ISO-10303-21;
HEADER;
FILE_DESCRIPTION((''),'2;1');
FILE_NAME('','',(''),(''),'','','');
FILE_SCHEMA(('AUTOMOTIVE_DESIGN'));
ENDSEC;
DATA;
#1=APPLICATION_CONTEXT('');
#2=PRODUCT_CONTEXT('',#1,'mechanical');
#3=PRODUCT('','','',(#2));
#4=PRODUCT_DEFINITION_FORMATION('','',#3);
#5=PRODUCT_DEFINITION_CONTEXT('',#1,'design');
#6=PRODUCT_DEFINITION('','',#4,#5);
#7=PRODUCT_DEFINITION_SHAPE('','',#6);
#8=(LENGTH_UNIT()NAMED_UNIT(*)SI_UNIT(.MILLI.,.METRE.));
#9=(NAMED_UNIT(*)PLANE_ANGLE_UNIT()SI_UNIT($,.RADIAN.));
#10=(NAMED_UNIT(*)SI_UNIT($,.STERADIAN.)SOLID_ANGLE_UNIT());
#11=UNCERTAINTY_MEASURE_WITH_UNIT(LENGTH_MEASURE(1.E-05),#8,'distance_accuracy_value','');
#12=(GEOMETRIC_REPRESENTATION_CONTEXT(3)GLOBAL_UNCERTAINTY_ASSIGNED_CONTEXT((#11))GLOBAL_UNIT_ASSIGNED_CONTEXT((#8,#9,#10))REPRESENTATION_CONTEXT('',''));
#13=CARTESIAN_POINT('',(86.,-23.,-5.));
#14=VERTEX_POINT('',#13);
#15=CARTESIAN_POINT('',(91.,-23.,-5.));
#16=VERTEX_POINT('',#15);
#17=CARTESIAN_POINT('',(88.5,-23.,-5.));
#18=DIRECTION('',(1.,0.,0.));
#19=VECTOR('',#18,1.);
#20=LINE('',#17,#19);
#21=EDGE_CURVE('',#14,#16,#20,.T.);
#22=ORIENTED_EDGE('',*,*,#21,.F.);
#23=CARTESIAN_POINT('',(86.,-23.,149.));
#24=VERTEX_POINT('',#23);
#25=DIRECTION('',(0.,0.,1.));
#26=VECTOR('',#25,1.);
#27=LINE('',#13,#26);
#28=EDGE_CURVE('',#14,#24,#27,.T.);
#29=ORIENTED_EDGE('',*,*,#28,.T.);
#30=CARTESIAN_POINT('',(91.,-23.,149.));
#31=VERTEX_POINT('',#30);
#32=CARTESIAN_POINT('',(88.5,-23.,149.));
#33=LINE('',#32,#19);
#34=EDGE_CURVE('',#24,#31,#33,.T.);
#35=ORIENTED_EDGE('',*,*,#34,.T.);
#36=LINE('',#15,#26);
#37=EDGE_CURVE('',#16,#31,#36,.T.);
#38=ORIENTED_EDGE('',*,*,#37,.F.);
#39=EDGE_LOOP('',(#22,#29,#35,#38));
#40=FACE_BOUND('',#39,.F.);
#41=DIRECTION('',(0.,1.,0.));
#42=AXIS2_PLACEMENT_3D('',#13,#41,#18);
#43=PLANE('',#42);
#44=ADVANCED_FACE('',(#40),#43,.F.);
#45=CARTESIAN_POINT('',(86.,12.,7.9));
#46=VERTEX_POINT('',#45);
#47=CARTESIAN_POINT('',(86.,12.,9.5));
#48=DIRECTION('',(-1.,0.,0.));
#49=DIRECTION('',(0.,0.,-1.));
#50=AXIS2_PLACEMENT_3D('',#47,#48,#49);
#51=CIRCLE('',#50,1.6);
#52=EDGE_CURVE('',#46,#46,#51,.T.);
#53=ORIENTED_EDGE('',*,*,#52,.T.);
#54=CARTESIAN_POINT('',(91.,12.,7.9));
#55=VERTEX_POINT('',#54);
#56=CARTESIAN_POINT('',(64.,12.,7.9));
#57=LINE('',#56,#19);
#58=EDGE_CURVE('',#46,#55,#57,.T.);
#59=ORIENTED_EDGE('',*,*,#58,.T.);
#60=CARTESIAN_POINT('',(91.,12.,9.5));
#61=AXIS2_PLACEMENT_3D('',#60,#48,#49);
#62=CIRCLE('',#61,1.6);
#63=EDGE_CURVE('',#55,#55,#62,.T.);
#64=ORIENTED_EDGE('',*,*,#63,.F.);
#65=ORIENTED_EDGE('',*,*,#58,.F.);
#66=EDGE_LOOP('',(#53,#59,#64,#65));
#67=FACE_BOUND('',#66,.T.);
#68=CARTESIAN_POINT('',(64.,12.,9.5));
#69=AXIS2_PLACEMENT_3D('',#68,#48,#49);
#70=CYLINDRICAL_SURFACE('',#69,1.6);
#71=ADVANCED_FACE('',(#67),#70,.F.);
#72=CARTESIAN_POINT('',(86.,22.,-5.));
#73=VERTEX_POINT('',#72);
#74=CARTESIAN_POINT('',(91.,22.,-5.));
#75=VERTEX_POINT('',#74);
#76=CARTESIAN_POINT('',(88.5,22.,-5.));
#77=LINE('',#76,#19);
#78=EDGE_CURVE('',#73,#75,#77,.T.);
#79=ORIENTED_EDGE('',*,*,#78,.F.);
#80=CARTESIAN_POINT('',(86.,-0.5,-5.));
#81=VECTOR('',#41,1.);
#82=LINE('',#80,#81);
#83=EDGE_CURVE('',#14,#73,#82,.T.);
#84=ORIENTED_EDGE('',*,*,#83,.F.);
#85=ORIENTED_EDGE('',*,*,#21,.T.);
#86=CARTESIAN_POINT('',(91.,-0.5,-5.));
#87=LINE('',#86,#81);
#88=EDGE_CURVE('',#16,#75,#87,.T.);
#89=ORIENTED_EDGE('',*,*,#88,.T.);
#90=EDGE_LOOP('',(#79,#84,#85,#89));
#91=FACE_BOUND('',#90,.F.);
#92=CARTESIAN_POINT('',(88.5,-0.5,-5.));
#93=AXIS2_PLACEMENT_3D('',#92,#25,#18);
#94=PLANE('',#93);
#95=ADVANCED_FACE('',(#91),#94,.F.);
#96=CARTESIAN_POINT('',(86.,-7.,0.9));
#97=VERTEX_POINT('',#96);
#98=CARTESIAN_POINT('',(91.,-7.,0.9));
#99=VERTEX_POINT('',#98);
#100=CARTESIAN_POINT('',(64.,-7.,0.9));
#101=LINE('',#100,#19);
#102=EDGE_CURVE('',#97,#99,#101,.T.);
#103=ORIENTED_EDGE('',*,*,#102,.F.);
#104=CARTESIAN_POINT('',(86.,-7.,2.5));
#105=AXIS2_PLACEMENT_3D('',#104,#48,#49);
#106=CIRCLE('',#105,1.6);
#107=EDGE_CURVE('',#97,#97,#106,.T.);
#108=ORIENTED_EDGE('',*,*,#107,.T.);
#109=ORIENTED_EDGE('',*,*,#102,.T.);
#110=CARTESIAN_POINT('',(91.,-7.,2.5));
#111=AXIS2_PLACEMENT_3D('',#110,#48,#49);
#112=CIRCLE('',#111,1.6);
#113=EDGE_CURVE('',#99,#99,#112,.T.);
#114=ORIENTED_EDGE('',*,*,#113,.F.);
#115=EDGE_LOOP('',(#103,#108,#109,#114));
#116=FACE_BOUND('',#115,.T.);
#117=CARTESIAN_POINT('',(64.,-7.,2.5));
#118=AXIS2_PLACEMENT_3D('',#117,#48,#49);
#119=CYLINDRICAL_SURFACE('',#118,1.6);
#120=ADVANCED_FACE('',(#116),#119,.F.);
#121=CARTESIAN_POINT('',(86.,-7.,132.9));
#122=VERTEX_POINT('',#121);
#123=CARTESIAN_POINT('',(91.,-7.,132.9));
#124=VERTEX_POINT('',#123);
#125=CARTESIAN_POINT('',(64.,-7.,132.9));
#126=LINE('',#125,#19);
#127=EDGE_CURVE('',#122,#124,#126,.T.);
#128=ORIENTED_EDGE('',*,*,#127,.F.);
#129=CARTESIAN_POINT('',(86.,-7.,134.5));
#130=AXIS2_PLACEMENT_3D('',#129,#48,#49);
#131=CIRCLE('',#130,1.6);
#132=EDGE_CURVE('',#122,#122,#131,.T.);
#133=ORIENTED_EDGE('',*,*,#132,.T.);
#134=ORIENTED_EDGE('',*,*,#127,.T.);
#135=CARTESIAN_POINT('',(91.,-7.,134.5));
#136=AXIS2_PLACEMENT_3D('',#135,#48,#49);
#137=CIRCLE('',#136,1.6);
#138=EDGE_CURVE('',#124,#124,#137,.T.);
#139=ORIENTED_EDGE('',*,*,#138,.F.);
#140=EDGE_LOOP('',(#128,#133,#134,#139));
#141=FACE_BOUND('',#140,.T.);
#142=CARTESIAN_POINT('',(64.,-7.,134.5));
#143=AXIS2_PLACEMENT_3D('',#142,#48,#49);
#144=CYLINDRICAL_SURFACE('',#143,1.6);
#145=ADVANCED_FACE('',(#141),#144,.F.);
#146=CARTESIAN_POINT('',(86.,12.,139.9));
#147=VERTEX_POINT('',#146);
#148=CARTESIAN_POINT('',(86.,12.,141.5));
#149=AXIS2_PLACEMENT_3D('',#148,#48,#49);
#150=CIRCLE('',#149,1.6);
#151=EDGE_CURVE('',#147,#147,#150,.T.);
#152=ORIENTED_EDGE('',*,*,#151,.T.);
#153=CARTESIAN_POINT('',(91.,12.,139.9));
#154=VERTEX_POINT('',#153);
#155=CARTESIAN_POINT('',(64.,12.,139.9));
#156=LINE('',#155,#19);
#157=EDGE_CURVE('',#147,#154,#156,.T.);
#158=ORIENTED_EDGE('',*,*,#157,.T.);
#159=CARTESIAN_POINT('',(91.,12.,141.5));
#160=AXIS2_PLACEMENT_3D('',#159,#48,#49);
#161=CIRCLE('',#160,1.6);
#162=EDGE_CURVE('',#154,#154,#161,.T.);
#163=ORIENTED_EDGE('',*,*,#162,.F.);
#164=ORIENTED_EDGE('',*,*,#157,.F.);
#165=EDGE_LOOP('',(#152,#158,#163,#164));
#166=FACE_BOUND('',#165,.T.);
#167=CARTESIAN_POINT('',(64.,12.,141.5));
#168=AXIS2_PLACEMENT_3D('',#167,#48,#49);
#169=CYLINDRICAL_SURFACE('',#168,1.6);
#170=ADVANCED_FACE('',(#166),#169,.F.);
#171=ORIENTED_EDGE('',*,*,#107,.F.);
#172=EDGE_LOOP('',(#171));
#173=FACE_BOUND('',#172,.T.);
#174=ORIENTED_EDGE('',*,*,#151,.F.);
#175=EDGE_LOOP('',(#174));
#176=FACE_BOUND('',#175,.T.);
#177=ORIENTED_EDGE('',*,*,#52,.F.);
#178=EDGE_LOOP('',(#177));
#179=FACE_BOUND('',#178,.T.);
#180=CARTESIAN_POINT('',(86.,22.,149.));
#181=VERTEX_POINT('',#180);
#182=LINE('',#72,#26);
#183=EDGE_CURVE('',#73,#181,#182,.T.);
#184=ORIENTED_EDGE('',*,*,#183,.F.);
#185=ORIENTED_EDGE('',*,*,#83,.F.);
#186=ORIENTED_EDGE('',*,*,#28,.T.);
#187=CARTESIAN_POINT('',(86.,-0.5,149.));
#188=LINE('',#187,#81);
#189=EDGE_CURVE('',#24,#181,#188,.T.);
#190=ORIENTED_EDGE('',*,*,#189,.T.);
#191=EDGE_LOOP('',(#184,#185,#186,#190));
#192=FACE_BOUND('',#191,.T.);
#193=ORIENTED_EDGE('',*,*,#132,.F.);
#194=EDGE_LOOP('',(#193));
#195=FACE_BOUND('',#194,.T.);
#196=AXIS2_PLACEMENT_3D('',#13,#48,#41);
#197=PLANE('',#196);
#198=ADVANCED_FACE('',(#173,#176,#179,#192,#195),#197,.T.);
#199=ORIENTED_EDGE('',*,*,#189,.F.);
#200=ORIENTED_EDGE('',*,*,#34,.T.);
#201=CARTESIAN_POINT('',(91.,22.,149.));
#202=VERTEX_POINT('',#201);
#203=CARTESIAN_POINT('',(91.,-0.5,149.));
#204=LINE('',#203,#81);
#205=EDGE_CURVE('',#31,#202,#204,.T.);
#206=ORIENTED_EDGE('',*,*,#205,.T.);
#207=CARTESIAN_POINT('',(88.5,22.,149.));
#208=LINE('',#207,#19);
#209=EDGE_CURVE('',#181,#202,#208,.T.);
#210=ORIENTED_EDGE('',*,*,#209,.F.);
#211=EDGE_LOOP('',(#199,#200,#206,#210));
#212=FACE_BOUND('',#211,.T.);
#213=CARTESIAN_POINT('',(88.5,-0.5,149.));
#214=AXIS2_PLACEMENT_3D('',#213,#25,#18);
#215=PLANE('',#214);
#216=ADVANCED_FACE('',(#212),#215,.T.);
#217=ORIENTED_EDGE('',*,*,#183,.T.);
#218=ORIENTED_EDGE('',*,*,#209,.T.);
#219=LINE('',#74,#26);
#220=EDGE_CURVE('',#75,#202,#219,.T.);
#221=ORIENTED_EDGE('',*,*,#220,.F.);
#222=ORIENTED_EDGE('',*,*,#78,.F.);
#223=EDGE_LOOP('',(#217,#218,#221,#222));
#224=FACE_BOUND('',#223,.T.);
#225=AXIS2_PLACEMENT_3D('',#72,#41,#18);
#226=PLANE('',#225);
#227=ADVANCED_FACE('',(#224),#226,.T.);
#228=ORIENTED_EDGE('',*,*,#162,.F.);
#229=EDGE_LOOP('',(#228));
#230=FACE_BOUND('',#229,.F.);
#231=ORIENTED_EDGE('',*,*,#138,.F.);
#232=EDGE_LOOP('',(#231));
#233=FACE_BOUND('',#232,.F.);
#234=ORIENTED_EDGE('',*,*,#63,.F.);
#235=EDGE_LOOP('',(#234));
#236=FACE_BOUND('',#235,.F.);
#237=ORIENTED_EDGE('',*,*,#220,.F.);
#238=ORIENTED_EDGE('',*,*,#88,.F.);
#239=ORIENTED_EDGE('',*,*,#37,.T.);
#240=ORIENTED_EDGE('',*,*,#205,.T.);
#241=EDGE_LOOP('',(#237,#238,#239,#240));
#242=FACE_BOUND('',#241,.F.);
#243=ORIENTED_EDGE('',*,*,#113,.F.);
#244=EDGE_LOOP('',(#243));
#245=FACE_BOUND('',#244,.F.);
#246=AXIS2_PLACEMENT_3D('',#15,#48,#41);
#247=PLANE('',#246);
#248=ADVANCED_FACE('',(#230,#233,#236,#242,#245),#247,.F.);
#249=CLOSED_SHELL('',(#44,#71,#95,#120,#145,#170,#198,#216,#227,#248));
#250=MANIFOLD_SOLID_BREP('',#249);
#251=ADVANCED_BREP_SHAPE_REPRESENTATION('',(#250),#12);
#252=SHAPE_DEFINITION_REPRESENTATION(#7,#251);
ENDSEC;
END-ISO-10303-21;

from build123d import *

# Parameters (mm, degrees)
CYLINDER019_R           = 1.6
CYLINDER019_DEPTH       = 40
CYLINDER019_PITCH_ANGLE = 90
CYLINDER018_R           = 1.6
CYLINDER018_DEPTH       = 40
CYLINDER018_PITCH_ANGLE = 90
CYLINDER017_R           = 1.6
CYLINDER017_DEPTH       = 40
CYLINDER016_R           = 1.6
CYLINDER016_DEPTH       = 70
CYLINDER016_ROLL_ANGLE  = 90
CYLINDER015_R           = 1.6
CYLINDER015_DEPTH       = 40
BOX015_W                = 5
BOX015_H                = 45
BOX015_DEPTH            = 154


with BuildPart() as cylinder100:
    # Cylinder019 → Cylinder019 (new body)
    with BuildSketch(Plane.XY):
        Circle(CYLINDER019_R)
    extrude(amount=CYLINDER019_DEPTH)


with BuildPart() as cylinder100_1:
    # Cylinder019 pitch: moved
    add(cylinder100.part.rotate(Axis((0, 0, 0), (0, 1, 0)), CYLINDER019_PITCH_ANGLE))


with BuildPart() as cylinder100_2:
    # Cylinder019 placement: moved
    add(cylinder100_1.part.moved(Location((-40, 12, 9.5))))


with BuildPart() as fusion011:
    # Cylinder018 → Cylinder018 (new body)
    with BuildSketch(Plane.XY):
        Circle(CYLINDER018_R)
    extrude(amount=CYLINDER018_DEPTH)


with BuildPart() as fusion011_1:
    # Cylinder018 pitch: moved
    add(fusion011.part.rotate(Axis((0, 0, 0), (0, 1, 0)), CYLINDER018_PITCH_ANGLE))


with BuildPart() as fusion011_2:
    # Cylinder018 placement: moved
    add(fusion011_1.part.moved(Location((-40, -7, 2.5))))

    # Fusion011: union Cylinder100
    add(cylinder100_2.part)


with BuildPart() as fusion012:
    # Cylinder017 → Cylinder017 (new body)
    with BuildSketch(Plane(origin=(-27.5, 7, -15), x_dir=(1, 0, 0), z_dir=(0, 0, 1))):
        Circle(CYLINDER017_R)
    extrude(amount=CYLINDER017_DEPTH)

    # Fusion012: union Fusion011
    add(fusion011_2.part)


with BuildPart() as fusion013:
    # Cylinder016 → Cylinder016 (new body)
    with BuildSketch(Plane.XY):
        Circle(CYLINDER016_R)
    extrude(amount=CYLINDER016_DEPTH)


with BuildPart() as fusion013_1:
    # Cylinder016 roll: moved
    add(fusion013.part.rotate(Axis((0, 0, 0), (1, 0, 0)), CYLINDER016_ROLL_ANGLE))


with BuildPart() as fusion013_2:
    # Cylinder016 placement: moved
    add(fusion013_1.part.moved(Location((-24, 39, 6))))

    # Fusion013: union Fusion012
    add(fusion012.part)


with BuildPart() as cylinder008:
    # Cylinder015 → Cylinder015 (new body)
    with BuildSketch(Plane(origin=(-20.5, -12, -15), x_dir=(1, 0, 0), z_dir=(0, 0, 1))):
        Circle(CYLINDER015_R)
    extrude(amount=CYLINDER015_DEPTH)


with BuildPart() as face_corner_holes013:
    # Fusion027 base: copy of Cylinder008
    add(cylinder008.part)

    # Fusion027: union Fusion013
    add(fusion013_2.part)


with BuildPart() as face_corner_holes013_1:
    # Fusion027 placement: moved
    add(face_corner_holes013.part.moved(Location((104, 0, 132))))


with BuildPart() as face_corner_holes001:
    # Fusion015 base: copy of Cylinder008
    add(cylinder008.part)

    # Fusion015: union Fusion013
    add(fusion013_2.part)


with BuildPart() as face_corner_holes001_1:
    # Fusion015 placement: moved
    add(face_corner_holes001.part.moved(Location((104, 0, 0))))


with BuildPart() as top_x:
    # Box015 → Box015 (new body)
    with BuildSketch(Plane(origin=(86, -23, -5), x_dir=(1, 0, 0), z_dir=(0, 0, 1))):
        with Locations((2.5, 22.5)):
            Rectangle(BOX015_W, BOX015_H)
    extrude(amount=BOX015_DEPTH)

    # Cut016: cut face-corner-holes001
    add(face_corner_holes001_1.part, mode=Mode.SUBTRACT)

    # Cut024: cut face-corner-holes013
    add(face_corner_holes013_1.part, mode=Mode.SUBTRACT)


solid = top_x.part
